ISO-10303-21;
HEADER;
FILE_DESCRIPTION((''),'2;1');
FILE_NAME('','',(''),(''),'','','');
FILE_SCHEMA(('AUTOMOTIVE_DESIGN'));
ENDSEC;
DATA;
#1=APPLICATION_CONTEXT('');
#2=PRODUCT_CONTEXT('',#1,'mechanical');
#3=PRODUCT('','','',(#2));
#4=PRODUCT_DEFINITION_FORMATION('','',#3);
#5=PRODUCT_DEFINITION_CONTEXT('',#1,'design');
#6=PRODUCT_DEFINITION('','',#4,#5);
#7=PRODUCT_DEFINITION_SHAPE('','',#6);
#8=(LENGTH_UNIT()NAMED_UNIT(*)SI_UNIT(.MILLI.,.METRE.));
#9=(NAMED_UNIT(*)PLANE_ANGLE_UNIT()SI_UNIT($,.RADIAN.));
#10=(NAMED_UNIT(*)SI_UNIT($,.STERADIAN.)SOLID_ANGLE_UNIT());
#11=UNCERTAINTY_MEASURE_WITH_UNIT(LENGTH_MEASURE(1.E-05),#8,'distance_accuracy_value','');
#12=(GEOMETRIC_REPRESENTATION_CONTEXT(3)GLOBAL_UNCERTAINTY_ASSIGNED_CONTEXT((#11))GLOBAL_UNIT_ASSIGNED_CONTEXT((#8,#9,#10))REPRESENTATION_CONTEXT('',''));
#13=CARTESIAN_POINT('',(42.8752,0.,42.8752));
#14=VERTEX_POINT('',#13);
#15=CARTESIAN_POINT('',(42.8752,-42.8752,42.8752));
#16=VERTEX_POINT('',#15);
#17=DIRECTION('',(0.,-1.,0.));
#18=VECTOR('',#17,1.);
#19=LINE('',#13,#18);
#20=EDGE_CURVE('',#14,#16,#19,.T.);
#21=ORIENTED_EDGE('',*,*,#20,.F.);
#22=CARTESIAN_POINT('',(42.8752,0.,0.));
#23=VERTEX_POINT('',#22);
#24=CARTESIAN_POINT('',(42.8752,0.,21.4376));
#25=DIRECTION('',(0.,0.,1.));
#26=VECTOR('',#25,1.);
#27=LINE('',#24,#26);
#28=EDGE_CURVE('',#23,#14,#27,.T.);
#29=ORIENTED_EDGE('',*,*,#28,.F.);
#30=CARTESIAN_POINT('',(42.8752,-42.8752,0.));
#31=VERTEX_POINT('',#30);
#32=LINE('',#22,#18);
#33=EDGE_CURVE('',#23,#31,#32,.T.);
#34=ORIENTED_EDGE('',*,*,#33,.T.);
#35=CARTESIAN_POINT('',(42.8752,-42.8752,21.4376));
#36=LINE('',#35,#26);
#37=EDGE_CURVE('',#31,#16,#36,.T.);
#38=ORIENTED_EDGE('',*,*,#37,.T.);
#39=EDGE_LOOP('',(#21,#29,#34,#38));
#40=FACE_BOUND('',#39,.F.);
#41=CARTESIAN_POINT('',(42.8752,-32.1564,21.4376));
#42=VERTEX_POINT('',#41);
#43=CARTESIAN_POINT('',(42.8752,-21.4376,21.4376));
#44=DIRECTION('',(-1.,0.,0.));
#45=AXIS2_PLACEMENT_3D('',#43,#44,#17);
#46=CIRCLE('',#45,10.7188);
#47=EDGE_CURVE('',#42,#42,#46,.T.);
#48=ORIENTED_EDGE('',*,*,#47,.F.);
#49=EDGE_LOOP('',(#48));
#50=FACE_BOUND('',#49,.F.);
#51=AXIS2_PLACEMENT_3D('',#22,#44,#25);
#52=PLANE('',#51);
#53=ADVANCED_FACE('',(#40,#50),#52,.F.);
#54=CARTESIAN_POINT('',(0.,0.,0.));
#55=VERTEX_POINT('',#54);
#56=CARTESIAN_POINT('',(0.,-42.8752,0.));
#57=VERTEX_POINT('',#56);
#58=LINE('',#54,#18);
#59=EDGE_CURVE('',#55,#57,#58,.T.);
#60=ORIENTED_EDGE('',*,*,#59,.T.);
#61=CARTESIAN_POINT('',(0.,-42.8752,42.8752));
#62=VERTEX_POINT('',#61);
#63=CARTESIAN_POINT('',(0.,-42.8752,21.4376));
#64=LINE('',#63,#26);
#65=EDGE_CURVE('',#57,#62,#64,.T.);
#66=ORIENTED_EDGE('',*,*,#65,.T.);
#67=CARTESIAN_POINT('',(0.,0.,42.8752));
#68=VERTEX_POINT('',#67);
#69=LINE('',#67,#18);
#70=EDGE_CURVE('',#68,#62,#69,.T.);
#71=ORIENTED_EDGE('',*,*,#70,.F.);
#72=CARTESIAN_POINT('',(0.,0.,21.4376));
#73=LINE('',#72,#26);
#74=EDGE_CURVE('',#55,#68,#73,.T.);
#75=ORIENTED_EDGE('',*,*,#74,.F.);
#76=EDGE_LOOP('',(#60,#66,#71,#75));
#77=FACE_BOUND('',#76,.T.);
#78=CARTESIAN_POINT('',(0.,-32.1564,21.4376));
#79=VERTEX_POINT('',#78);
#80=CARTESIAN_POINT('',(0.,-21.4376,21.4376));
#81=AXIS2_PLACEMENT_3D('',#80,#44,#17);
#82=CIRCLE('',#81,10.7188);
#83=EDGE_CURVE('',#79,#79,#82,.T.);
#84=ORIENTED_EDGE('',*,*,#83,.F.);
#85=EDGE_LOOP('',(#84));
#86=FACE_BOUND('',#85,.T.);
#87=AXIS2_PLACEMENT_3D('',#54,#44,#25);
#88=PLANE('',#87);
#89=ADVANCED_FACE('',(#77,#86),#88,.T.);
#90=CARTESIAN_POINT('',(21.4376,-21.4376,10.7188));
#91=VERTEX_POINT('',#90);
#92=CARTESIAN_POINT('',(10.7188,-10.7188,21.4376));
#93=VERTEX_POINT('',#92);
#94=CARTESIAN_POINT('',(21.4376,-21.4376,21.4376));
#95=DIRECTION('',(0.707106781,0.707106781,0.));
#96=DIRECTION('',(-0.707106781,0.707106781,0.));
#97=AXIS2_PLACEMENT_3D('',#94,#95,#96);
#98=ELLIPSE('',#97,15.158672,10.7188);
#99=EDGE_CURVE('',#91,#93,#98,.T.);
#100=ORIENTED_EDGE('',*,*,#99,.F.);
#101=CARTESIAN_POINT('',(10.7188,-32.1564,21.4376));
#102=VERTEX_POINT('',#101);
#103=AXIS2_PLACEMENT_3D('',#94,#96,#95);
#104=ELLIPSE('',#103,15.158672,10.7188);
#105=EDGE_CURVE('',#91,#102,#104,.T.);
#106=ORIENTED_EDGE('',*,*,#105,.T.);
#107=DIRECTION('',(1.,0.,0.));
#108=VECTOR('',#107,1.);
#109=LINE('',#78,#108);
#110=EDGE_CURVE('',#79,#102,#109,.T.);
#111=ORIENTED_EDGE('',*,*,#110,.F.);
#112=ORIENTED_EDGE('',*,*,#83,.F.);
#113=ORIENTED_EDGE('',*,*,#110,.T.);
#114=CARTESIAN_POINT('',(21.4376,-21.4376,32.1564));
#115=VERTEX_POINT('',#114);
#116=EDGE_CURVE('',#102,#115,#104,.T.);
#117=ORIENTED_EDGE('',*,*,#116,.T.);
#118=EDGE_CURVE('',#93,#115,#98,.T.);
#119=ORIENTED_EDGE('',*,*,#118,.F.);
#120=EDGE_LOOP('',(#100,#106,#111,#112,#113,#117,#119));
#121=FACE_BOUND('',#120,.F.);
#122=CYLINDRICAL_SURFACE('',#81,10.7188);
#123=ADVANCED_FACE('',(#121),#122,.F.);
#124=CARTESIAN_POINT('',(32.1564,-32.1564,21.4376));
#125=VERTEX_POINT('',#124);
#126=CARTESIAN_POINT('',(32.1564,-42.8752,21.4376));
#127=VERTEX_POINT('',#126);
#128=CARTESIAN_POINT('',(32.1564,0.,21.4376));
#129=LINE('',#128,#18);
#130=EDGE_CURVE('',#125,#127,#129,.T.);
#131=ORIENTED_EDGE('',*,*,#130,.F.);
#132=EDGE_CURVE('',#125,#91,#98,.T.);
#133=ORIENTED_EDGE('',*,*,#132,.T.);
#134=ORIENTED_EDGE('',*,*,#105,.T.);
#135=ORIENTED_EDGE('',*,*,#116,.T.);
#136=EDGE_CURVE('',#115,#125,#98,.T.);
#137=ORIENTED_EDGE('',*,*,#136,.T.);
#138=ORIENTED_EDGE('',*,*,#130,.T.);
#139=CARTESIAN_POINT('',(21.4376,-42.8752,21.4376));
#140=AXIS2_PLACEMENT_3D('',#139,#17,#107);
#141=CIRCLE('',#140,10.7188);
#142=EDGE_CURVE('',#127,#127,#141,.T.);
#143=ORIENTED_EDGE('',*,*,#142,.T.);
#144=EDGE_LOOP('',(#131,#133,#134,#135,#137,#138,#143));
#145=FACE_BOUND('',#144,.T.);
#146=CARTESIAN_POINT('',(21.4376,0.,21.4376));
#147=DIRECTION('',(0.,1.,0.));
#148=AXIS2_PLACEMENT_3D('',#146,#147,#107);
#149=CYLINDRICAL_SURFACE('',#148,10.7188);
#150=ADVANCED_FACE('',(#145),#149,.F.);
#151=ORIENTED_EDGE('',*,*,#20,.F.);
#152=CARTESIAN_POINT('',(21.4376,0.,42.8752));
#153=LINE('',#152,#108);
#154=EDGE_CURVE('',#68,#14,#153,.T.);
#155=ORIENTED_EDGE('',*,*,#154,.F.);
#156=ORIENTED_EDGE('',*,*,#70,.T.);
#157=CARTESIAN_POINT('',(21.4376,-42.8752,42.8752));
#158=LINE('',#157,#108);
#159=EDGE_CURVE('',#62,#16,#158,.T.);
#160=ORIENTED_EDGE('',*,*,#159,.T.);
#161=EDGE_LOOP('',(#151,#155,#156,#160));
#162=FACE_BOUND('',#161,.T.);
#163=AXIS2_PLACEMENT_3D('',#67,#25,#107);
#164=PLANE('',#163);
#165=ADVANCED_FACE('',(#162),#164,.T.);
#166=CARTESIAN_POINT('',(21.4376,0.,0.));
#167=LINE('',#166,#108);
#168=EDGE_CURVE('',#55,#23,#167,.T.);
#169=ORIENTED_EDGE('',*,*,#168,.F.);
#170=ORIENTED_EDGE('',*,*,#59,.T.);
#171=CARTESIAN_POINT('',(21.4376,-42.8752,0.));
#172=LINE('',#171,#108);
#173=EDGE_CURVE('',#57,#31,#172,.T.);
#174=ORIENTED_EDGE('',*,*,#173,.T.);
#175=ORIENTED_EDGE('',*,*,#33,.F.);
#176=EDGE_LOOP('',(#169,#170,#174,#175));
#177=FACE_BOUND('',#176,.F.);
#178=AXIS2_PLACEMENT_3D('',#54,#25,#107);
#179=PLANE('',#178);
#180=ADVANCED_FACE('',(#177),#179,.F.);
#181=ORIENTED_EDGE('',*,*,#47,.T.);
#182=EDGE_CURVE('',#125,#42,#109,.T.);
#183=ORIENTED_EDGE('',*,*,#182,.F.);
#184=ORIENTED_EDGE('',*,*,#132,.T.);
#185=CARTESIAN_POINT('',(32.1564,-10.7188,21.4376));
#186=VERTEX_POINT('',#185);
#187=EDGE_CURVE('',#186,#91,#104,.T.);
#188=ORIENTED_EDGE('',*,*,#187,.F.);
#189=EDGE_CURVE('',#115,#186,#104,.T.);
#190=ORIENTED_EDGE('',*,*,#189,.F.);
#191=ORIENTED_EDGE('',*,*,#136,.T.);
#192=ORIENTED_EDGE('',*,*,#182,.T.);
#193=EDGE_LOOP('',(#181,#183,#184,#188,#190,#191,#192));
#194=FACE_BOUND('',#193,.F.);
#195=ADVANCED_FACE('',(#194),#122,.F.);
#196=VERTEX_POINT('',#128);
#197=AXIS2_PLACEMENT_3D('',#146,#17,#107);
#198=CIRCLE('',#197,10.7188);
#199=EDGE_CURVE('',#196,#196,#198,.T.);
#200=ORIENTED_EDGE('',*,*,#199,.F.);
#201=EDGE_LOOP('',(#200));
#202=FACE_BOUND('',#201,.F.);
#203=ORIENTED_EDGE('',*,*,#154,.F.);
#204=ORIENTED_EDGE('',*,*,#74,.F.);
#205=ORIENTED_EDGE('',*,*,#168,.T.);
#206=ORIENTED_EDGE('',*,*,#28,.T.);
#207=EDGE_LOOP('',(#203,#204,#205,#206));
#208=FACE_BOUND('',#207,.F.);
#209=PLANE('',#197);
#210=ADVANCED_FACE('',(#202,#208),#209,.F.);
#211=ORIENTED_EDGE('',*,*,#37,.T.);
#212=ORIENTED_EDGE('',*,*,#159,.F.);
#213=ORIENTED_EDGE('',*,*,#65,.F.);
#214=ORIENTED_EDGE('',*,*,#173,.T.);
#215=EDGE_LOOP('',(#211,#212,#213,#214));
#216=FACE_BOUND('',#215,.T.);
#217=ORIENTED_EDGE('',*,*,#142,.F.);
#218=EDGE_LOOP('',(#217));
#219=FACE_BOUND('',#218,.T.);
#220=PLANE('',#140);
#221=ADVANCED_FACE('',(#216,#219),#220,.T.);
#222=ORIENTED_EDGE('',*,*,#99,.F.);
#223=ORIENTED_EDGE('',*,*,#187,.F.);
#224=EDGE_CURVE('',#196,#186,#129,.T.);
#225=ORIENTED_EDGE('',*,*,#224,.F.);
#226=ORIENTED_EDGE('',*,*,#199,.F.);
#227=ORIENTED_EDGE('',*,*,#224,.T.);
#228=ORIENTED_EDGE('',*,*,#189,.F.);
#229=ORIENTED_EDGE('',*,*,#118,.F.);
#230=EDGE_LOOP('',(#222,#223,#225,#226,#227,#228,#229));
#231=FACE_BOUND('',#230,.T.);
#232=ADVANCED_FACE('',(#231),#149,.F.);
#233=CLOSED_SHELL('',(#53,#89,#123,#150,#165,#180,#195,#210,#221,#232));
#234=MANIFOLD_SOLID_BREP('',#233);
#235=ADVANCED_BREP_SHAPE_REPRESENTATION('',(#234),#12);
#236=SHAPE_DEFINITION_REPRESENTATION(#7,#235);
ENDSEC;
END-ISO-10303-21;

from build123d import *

# Parameters (mm, degrees)
F0_W       = 42.8752
F0_H       = 42.8752
F0_R       = 10.7188
F1_DEPTH   = 42.8752
F2_R       = 10.7188
F1_FACE1_W = 42.8752
F1_FACE1_H = 42.8752
F3_DEPTH   = 42.8762


with BuildPart() as f1:
    # F0 (on Front) → F1 (new body)
    with BuildSketch(Plane.XZ):
        with Locations((21.4376, 21.4376)):
            Rectangle(F0_W, F0_H)
        with Locations((21.4376, 21.4376)):
            Circle(F0_R, mode=Mode.SUBTRACT)
    extrude(amount=F1_DEPTH)

    # F2 (on face) + F1_face1 (on face) → F3 (cut, through all)
    with BuildSketch(Plane(origin=(0, 0, 0), x_dir=(0, -1, 0), z_dir=(-1, 0, 0))):
        with Locations((21.4376, 21.4376)):
            Circle(F2_R)
    with BuildSketch(Plane(origin=(42.8752, -21.4376, 21.4376), x_dir=(0, 1, 0), z_dir=(1, 0, 0))):
        Rectangle(F1_FACE1_W, F1_FACE1_H)
    extrude(amount=-F3_DEPTH, dir=(-1, 0, 0), mode=Mode.SUBTRACT)


solid = f1.part
